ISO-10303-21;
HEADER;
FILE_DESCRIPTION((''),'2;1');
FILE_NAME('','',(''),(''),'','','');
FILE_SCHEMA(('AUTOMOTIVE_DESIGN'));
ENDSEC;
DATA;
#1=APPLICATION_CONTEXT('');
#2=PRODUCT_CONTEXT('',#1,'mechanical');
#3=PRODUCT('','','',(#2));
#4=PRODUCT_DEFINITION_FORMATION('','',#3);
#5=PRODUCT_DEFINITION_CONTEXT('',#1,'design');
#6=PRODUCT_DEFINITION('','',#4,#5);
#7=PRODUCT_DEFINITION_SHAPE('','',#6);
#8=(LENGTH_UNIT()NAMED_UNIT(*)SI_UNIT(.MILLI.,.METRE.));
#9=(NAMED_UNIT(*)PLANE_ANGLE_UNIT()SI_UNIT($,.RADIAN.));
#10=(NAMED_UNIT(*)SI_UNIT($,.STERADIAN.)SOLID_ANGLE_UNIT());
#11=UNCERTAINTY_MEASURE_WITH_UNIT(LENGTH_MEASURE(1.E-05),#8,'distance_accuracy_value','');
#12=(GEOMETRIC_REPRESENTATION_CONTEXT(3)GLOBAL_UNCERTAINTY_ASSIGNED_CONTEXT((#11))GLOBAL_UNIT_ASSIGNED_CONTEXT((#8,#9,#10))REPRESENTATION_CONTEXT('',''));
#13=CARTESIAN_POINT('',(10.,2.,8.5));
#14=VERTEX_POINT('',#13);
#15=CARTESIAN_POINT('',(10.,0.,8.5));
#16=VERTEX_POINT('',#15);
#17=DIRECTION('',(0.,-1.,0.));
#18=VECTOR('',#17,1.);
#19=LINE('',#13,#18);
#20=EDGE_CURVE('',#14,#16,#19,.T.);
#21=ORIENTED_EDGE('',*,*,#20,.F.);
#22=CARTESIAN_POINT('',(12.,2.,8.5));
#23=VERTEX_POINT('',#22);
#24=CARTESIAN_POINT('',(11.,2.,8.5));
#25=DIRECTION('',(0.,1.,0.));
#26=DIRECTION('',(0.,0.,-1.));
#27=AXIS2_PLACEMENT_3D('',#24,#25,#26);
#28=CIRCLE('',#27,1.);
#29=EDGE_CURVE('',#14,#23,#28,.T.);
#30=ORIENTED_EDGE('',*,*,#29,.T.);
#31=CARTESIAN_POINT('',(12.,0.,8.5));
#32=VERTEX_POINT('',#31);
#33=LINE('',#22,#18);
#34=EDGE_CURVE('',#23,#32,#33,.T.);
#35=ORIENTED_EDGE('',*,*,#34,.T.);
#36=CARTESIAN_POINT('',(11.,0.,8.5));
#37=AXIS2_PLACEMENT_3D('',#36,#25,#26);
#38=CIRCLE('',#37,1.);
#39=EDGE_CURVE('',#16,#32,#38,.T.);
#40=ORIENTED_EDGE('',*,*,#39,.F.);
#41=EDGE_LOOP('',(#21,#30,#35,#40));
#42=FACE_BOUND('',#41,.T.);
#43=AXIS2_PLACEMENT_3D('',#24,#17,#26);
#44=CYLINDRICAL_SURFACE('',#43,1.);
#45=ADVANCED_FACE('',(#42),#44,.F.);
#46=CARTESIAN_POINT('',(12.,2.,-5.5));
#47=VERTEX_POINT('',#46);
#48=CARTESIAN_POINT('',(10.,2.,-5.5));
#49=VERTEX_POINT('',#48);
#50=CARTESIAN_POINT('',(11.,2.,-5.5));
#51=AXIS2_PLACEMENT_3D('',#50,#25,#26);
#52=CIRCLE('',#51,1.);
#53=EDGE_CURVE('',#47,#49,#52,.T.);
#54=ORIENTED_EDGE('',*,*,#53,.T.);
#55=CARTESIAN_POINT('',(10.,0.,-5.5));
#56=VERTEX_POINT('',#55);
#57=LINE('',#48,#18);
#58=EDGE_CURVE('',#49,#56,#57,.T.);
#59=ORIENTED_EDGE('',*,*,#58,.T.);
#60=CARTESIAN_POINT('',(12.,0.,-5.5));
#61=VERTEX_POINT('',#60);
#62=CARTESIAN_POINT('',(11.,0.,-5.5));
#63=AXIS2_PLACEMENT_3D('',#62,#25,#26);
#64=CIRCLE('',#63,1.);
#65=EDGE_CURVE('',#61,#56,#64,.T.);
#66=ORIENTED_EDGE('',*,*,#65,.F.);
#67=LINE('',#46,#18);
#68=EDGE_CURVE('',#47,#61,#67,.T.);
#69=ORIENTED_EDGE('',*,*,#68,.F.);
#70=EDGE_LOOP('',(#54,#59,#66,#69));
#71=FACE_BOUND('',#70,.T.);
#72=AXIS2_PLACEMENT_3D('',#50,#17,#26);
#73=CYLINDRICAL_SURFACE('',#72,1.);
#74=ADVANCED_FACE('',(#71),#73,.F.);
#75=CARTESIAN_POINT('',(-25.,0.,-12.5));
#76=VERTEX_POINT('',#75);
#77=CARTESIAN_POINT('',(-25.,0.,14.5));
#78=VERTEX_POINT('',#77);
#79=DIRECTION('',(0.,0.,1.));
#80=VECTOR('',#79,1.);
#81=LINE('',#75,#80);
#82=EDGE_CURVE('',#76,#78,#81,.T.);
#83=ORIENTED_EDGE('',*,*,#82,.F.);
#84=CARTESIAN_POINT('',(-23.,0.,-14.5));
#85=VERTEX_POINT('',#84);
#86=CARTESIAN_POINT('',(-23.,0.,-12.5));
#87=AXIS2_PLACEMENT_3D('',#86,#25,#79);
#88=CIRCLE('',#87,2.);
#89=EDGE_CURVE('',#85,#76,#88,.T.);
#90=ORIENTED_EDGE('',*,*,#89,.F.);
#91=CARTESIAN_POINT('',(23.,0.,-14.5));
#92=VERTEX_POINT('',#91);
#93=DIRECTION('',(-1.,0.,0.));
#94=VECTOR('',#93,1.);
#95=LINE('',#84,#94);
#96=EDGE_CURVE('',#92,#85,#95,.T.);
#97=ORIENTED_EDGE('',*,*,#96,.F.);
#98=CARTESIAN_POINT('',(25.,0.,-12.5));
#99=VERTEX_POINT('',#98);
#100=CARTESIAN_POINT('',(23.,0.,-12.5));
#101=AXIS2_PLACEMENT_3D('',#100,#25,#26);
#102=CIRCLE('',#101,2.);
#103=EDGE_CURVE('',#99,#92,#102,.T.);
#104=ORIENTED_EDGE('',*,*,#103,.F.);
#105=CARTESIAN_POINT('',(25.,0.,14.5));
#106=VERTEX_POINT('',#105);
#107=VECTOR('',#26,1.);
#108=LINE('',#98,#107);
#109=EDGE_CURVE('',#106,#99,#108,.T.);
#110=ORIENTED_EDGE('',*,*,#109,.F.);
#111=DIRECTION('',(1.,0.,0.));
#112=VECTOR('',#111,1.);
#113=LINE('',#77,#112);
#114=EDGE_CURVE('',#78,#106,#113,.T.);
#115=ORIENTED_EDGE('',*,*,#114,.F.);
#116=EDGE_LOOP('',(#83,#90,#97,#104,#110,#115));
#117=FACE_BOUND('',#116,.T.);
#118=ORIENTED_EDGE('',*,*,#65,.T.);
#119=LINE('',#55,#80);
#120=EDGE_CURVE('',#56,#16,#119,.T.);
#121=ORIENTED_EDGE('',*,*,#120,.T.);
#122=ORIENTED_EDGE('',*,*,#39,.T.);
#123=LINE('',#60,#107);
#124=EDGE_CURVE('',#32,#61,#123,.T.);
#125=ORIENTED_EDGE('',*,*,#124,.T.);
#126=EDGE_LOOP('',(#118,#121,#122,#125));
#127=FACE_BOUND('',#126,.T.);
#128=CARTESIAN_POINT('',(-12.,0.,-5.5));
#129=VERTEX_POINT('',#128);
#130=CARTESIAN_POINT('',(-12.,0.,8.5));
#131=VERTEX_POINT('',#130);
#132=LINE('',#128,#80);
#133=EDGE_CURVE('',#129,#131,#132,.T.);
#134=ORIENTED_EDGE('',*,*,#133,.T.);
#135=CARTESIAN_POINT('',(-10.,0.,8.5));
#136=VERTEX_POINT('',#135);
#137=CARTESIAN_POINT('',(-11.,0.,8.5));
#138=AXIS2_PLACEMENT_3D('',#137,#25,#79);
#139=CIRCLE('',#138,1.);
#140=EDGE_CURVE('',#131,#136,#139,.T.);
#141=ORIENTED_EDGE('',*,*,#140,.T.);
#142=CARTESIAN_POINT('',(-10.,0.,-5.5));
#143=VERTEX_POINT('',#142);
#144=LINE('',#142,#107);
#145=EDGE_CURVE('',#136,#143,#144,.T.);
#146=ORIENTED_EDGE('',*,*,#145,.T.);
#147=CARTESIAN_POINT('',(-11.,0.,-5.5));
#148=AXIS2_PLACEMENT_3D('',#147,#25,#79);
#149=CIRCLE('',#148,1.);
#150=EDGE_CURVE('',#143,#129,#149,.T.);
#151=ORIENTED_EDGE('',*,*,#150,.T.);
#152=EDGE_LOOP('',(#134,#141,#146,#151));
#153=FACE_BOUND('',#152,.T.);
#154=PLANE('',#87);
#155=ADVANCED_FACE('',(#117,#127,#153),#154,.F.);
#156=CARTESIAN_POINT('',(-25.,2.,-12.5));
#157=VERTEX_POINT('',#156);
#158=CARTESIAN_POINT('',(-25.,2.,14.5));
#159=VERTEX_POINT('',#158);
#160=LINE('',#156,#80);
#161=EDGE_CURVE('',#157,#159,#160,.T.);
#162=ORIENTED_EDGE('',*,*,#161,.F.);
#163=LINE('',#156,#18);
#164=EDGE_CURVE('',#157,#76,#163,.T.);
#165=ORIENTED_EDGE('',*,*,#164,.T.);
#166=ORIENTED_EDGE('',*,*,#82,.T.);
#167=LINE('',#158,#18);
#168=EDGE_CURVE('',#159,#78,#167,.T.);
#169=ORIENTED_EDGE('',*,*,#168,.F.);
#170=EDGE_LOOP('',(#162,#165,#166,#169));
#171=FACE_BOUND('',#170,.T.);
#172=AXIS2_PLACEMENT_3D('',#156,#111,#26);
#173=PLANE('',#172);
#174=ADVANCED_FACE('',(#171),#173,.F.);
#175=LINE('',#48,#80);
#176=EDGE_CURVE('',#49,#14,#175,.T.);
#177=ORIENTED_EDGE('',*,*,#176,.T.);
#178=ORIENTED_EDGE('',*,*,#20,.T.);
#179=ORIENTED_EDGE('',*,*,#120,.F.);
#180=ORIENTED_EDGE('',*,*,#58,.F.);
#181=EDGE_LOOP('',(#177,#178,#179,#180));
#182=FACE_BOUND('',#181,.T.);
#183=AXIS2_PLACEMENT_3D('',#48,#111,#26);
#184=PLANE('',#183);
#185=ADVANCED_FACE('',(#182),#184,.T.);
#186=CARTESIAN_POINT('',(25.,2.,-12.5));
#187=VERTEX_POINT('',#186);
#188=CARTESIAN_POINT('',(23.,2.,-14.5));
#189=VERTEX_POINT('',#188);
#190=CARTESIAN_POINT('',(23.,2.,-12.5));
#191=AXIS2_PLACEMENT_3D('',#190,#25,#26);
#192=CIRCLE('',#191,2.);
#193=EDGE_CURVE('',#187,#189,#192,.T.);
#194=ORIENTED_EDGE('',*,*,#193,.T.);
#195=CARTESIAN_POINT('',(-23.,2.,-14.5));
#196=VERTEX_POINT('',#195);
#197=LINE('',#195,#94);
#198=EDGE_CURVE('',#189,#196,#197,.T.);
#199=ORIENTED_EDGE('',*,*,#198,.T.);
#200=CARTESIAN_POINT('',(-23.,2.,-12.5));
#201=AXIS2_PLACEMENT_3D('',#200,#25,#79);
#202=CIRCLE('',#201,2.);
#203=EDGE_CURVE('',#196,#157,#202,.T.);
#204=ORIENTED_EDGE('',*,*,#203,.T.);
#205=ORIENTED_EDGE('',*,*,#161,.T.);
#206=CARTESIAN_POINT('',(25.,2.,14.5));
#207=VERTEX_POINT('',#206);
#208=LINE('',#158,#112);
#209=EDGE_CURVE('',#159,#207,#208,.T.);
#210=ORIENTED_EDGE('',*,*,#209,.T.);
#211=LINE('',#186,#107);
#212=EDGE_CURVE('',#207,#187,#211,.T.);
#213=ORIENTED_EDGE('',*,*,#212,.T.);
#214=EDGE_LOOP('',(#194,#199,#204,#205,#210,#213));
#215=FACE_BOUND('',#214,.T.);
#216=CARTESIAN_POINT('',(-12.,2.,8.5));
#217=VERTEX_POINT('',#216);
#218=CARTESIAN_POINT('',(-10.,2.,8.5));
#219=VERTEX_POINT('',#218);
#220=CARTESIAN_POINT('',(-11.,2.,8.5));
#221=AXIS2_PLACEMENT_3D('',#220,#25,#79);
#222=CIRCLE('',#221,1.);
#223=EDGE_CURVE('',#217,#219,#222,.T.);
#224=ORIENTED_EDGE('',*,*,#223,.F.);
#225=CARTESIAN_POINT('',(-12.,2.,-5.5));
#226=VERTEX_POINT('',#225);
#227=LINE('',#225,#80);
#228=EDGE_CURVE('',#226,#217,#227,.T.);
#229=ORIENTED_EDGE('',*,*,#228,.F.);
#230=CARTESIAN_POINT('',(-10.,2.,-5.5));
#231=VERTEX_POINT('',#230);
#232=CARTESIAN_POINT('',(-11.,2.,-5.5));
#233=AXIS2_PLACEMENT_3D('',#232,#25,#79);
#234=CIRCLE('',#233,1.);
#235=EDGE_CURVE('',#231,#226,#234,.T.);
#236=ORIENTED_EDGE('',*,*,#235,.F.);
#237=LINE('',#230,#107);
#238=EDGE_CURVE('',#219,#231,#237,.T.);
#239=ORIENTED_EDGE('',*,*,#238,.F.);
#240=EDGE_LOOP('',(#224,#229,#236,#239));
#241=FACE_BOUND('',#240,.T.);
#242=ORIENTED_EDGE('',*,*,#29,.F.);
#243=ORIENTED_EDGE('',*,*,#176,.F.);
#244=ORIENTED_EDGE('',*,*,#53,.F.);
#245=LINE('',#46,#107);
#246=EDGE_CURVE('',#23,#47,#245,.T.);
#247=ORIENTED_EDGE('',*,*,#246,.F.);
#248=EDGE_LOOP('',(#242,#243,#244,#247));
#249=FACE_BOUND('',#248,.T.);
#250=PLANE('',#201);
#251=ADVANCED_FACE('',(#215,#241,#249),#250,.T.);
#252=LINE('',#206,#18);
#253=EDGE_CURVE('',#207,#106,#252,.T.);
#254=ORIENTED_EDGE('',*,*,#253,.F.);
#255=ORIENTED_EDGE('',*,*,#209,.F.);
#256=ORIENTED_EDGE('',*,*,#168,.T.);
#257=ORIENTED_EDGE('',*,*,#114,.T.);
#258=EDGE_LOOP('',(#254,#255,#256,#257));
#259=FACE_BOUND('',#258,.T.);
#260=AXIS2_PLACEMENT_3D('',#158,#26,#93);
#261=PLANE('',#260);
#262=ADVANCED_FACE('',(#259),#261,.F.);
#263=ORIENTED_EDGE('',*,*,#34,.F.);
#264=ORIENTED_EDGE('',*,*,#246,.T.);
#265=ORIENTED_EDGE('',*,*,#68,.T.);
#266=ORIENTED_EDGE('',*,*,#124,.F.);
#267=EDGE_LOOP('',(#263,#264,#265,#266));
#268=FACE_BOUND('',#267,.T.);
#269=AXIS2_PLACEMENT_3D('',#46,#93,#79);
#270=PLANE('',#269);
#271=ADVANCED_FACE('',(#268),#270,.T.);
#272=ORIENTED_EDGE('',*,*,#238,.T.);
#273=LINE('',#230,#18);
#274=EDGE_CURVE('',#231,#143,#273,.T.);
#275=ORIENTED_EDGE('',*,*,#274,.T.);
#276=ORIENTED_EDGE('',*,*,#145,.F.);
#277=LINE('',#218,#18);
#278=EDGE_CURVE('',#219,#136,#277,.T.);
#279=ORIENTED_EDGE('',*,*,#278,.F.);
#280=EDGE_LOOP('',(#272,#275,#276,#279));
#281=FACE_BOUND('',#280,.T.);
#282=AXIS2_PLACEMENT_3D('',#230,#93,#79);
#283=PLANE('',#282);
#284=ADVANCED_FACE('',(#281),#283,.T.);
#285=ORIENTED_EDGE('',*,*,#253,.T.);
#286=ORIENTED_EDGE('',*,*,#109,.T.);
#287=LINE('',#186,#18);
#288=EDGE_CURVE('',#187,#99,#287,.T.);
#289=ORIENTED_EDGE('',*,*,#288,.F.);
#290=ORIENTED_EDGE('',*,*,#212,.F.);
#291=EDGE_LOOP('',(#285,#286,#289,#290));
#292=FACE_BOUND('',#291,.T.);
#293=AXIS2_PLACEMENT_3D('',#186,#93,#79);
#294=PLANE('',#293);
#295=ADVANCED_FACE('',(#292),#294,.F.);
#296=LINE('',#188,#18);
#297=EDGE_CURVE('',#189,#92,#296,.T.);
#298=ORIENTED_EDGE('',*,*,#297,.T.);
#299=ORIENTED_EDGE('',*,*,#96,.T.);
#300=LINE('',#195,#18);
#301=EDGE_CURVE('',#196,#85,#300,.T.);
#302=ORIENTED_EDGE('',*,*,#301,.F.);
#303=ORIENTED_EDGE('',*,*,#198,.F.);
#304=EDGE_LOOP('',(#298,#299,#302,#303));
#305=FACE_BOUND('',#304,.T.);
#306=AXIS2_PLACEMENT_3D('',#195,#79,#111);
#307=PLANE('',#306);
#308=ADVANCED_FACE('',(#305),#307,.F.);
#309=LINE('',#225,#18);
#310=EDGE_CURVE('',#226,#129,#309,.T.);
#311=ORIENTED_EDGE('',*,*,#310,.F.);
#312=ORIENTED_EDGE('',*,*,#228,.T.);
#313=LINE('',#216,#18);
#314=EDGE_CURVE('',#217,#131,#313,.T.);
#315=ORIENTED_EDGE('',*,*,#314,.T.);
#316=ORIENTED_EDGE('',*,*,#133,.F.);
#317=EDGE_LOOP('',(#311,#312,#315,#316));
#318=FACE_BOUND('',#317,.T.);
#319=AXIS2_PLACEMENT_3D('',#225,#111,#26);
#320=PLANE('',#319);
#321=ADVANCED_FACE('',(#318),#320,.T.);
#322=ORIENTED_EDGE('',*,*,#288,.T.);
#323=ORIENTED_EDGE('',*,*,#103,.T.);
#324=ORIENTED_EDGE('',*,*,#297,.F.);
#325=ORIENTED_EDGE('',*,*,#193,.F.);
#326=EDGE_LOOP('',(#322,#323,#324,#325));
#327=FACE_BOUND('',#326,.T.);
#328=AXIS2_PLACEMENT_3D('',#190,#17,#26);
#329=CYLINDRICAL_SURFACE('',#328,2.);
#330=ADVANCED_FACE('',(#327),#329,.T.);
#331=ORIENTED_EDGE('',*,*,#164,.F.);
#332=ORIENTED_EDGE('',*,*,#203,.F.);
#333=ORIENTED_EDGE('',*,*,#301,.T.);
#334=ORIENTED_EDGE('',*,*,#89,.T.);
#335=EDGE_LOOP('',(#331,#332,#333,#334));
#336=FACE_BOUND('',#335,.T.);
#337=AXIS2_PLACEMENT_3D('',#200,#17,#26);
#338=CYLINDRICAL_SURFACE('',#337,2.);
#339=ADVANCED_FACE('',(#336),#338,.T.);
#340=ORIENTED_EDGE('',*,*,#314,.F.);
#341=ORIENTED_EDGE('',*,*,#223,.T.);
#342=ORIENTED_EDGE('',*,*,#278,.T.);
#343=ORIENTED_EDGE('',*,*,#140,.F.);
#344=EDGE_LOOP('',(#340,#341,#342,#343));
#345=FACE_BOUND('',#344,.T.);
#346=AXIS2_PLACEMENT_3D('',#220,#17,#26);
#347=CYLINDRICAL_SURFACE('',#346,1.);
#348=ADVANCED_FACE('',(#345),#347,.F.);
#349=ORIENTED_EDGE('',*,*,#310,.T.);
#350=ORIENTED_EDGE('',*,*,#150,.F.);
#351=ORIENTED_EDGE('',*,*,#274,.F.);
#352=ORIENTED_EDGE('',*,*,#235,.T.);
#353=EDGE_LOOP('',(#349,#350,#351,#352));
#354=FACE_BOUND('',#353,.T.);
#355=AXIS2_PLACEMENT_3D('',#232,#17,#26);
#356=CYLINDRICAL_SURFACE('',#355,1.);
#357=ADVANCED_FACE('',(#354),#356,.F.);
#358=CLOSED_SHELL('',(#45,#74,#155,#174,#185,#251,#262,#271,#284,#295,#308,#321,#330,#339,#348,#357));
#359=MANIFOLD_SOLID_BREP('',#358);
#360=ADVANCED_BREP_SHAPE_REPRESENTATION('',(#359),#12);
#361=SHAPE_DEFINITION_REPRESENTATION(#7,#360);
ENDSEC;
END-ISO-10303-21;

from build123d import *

# Parameters (mm, degrees)
RESSALTO_EXTRUS_O1_DEPTH = 2


with BuildPart() as part:
    # Esboço1 → Ressalto-extrusão1 (new body)
    with BuildSketch(Plane(origin=(0, 0, 0), x_dir=(1, 0, 0), z_dir=(0, 1, 0))):
        with BuildLine():
            Line((-23, 14.5), (23, 14.5))
            ThreePointArc((23, 14.5), (24.414213562, 13.914213562), (25, 12.5))
            Line((25, 12.5), (25, -14.5))
            Line((25, -14.5), (-25, -14.5))
            Line((-25, -14.5), (-25, 12.5))
            ThreePointArc((-25, 12.5), (-24.414213562, 13.914213562), (-23, 14.5))
        make_face()
        with BuildLine():
            Line((-10, 5.5), (-10, -8.5))
            ThreePointArc((-10, -8.5), (-11, -9.5), (-12, -8.5))
            Line((-12, -8.5), (-12, 5.5))
            ThreePointArc((-12, 5.5), (-11, 6.5), (-10, 5.5))
        make_face(mode=Mode.SUBTRACT)
        with BuildLine():
            Line((10, 5.5), (10, -8.5))
            ThreePointArc((10, -8.5), (11, -9.5), (12, -8.5))
            Line((12, -8.5), (12, 5.5))
            ThreePointArc((12, 5.5), (11, 6.5), (10, 5.5))
        make_face(mode=Mode.SUBTRACT)
    extrude(amount=RESSALTO_EXTRUS_O1_DEPTH)


solid = part.part
